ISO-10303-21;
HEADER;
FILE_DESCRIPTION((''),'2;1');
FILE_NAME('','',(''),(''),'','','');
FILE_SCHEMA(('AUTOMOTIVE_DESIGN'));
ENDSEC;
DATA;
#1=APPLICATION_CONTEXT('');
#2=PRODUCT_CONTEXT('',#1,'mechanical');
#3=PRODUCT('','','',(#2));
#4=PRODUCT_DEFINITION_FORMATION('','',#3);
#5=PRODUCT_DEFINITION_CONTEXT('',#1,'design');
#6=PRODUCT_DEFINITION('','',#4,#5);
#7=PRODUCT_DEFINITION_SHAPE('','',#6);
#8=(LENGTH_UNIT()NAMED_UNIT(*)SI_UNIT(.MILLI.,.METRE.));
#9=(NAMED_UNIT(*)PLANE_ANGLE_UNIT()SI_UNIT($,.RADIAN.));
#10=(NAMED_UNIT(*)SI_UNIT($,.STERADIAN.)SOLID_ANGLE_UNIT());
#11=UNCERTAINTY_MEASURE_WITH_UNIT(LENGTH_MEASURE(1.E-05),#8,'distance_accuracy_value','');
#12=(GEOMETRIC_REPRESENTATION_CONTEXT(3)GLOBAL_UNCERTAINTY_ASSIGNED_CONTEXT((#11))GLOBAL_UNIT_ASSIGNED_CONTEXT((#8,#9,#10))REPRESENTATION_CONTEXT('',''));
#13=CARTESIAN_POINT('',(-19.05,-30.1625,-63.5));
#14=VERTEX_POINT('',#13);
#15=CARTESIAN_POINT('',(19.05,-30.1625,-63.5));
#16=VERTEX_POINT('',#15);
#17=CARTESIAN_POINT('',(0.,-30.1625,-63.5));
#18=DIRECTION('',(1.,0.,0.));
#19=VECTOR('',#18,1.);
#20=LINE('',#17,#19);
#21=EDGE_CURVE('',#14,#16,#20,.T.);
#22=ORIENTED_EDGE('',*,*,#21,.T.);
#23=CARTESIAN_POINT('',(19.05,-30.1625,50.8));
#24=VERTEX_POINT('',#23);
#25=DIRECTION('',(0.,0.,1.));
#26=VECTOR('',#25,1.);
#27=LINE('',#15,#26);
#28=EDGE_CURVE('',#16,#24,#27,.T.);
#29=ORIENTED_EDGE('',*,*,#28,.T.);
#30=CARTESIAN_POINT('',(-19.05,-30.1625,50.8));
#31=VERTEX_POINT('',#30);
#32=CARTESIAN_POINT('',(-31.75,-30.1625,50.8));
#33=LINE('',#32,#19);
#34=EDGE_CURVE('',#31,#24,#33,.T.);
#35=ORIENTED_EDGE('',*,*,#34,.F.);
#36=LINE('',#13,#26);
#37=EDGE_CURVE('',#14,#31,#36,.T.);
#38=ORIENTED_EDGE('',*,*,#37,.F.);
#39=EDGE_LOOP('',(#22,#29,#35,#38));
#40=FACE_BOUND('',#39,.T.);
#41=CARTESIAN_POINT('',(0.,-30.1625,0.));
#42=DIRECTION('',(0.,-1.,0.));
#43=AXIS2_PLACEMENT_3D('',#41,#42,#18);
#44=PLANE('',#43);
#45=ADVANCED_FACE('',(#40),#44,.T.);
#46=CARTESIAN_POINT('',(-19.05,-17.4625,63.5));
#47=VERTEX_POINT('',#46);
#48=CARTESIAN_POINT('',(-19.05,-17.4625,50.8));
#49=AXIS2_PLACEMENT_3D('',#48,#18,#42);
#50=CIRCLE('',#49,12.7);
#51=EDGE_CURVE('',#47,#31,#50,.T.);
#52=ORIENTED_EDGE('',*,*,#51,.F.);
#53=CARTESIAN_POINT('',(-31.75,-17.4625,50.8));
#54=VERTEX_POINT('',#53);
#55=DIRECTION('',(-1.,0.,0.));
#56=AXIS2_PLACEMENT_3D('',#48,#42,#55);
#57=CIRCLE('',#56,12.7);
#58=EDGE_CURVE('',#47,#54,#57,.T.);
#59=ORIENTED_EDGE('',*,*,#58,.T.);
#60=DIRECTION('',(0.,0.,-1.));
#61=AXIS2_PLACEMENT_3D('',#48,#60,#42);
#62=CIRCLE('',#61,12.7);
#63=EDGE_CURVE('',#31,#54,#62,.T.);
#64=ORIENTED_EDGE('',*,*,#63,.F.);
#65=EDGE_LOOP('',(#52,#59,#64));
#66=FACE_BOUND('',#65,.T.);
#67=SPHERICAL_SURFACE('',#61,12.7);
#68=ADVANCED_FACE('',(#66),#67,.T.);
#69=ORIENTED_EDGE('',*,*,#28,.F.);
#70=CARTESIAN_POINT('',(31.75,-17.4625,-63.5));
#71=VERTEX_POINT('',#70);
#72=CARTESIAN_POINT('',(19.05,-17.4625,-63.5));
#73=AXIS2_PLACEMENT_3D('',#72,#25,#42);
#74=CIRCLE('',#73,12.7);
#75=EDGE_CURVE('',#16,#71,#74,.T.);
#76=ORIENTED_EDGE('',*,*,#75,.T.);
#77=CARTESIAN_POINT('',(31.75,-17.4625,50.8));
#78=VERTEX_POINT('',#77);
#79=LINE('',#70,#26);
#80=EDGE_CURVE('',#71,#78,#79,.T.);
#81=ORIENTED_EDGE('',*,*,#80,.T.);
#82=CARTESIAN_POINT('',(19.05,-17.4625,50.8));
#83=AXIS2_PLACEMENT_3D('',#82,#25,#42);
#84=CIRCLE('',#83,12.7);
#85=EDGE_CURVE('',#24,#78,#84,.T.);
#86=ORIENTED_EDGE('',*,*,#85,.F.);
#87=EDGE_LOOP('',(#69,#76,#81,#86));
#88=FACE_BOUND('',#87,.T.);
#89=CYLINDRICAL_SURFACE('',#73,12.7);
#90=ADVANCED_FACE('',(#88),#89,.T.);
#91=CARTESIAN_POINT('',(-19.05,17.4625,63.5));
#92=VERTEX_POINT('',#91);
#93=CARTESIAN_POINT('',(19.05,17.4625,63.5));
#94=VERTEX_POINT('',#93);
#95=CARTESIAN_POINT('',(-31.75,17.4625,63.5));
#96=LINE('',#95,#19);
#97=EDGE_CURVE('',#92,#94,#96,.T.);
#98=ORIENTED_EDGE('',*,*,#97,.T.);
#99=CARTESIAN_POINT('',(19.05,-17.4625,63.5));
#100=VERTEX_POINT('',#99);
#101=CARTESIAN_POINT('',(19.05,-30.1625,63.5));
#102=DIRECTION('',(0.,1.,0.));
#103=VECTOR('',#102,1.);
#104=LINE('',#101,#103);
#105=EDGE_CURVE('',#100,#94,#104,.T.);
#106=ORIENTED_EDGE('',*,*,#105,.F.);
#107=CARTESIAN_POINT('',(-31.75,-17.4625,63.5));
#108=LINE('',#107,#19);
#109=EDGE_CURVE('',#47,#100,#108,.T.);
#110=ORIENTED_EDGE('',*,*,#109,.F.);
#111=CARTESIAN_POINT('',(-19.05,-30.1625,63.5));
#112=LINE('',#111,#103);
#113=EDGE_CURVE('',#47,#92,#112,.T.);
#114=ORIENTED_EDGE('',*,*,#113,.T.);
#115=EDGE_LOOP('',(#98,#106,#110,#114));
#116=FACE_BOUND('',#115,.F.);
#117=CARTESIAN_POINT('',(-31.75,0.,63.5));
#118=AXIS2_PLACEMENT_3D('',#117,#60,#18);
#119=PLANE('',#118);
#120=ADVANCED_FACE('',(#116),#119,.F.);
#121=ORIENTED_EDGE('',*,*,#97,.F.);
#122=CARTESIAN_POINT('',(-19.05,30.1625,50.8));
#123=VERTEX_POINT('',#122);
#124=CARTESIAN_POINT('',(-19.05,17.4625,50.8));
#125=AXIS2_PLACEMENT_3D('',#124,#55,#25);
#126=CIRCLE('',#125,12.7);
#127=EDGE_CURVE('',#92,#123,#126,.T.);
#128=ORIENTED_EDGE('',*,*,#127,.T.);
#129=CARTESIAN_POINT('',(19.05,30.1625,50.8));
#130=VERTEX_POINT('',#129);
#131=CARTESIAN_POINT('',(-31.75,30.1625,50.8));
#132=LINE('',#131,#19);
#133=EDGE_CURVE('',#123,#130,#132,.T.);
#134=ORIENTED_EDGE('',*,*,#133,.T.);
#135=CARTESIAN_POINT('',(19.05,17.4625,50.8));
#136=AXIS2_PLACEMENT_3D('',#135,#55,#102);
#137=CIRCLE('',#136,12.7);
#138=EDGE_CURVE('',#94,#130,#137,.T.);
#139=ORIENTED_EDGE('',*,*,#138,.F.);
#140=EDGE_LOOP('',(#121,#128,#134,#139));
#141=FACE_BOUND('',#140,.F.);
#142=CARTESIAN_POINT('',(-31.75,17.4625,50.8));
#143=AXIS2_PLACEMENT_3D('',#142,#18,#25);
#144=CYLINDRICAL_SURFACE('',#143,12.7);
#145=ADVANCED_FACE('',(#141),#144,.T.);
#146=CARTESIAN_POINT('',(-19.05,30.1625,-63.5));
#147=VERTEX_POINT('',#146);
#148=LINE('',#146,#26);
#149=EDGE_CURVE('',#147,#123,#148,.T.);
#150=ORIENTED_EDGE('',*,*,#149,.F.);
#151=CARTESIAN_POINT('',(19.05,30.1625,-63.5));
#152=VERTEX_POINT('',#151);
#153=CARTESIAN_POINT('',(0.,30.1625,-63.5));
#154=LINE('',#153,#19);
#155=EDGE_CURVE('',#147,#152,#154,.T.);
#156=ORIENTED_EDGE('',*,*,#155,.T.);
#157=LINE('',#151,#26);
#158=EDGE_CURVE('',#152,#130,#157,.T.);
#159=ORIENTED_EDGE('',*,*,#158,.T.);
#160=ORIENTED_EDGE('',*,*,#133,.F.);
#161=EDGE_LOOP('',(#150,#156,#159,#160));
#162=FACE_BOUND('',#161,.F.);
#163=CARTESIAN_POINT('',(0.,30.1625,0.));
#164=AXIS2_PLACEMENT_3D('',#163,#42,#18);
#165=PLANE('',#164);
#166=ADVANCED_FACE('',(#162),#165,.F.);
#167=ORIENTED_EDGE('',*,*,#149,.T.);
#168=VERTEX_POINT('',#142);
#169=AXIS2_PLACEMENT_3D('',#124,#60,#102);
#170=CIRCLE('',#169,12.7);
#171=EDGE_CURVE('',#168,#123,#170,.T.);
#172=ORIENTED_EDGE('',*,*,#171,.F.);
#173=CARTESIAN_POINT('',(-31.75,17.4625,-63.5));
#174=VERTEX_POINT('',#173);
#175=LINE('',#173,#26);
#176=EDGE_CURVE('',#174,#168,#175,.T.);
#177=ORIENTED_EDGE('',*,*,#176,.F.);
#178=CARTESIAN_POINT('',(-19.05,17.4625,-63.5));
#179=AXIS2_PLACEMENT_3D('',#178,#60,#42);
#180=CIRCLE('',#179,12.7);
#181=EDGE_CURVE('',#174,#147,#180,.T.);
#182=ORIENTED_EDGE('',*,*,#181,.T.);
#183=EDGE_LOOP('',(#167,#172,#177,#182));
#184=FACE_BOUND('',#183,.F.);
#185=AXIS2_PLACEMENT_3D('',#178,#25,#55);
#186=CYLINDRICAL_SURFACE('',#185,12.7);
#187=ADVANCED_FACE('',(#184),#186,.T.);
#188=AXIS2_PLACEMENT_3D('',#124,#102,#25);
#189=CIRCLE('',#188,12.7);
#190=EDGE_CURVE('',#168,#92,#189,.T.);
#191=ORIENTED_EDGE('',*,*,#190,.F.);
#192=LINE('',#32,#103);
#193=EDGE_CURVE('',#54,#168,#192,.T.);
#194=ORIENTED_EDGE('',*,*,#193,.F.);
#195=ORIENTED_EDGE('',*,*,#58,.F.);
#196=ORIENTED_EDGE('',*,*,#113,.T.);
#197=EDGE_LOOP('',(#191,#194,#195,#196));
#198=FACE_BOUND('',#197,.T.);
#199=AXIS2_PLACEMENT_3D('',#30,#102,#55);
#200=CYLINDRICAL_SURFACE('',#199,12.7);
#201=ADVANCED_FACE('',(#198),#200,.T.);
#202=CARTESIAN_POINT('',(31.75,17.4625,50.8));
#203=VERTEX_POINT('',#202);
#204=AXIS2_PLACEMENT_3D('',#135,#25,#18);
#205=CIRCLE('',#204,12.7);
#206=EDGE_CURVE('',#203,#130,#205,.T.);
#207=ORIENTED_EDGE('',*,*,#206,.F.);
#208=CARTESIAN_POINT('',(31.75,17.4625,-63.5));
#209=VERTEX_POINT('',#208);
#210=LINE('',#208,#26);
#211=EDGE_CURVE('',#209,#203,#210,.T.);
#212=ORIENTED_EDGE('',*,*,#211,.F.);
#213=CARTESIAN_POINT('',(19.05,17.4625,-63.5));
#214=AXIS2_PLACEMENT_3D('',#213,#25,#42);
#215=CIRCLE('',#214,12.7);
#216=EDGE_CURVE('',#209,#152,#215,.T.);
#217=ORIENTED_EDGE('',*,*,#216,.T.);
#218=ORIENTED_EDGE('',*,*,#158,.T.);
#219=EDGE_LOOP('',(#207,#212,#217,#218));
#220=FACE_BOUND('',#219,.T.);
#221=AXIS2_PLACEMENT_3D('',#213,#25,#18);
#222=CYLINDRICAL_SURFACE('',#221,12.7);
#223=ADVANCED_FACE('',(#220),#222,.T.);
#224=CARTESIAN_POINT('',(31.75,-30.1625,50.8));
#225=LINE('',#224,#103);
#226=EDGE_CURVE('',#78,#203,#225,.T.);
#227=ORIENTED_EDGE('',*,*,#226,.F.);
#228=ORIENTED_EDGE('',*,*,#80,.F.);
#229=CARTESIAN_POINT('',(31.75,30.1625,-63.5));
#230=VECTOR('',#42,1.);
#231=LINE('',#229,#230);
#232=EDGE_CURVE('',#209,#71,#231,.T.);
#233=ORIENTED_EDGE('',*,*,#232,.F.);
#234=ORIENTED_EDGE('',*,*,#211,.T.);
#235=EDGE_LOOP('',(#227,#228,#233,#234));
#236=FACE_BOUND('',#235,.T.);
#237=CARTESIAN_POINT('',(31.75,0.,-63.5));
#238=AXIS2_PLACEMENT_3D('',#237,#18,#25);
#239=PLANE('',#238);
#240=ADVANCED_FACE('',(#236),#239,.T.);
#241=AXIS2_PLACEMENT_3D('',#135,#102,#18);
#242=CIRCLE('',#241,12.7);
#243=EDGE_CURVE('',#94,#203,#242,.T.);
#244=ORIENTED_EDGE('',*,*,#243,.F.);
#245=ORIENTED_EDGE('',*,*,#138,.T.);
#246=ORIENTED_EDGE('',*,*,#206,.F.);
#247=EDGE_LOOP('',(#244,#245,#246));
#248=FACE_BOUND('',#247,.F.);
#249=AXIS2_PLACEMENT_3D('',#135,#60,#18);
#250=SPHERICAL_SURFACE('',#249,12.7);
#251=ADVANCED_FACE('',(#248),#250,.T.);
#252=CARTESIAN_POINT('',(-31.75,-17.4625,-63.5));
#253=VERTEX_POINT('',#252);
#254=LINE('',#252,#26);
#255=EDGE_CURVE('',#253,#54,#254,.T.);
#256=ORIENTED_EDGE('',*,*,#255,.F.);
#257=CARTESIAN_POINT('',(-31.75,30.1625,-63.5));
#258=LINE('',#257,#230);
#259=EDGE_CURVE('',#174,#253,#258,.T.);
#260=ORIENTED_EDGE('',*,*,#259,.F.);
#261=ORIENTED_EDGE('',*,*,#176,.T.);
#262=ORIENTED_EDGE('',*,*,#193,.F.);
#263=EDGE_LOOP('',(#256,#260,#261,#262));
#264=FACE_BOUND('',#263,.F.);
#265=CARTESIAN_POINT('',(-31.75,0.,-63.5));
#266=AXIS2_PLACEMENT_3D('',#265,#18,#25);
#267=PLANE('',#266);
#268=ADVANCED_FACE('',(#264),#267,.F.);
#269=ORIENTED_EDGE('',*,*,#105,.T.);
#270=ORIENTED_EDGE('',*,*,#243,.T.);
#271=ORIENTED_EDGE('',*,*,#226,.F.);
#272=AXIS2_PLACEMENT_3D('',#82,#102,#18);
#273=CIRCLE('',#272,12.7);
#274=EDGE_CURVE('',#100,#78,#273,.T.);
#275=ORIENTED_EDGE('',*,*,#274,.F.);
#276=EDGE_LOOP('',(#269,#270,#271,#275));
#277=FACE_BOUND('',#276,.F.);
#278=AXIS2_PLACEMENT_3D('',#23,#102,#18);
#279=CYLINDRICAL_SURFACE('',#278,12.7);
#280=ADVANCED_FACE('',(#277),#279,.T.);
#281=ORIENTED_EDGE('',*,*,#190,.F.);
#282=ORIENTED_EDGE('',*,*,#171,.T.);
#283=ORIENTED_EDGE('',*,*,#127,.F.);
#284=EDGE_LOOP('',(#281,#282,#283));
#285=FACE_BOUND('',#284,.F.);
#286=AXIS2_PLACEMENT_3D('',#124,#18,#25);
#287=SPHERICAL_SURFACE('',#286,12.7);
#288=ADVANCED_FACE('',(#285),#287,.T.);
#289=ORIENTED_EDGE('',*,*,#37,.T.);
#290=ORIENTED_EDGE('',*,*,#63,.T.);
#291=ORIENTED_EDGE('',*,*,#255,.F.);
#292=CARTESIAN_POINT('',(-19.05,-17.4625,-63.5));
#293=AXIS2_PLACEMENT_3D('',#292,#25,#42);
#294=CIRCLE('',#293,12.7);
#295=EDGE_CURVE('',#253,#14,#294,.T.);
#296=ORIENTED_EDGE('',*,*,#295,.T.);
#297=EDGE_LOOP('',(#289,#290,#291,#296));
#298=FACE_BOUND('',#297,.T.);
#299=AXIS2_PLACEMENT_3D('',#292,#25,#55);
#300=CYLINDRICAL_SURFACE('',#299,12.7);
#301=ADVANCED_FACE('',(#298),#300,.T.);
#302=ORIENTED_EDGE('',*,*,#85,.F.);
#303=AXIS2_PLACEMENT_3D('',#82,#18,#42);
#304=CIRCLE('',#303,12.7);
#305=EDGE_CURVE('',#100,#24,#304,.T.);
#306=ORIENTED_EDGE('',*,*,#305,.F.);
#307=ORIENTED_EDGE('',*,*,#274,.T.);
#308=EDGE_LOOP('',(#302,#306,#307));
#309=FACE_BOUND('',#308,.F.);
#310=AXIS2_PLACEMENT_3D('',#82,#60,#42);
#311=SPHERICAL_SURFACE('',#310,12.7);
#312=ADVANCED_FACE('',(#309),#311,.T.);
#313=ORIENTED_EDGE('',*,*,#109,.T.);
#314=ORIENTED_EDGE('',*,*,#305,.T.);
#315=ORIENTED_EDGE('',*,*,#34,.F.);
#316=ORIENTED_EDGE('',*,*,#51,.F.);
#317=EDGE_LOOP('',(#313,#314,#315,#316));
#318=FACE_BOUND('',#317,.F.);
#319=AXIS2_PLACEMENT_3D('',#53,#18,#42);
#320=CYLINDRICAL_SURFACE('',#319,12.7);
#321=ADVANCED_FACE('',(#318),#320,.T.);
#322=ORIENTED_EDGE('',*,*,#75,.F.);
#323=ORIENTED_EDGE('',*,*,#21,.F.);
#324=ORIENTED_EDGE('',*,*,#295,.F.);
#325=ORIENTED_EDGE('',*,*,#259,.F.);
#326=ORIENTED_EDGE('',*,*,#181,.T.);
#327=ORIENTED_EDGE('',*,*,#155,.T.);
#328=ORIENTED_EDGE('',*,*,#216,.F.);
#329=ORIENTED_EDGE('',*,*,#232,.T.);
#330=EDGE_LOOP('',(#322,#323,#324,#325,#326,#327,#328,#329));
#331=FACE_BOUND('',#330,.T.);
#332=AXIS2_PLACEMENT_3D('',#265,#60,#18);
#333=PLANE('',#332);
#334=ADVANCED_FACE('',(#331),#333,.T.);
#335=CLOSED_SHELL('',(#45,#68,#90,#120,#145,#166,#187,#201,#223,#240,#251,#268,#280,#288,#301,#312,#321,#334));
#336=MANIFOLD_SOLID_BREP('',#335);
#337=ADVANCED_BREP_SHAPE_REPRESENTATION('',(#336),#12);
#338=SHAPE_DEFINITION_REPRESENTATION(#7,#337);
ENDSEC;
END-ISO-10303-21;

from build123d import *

# Parameters (mm, degrees)
F0_W     = 63.5
F0_H     = 127
F1_DEPTH = 30.1625
F2_R     = 12.7


with BuildPart() as f1:
    # F0 (on Front) → F1 (new body, symmetric)
    with BuildSketch(Plane.XZ):
        Rectangle(F0_W, F0_H)
    extrude(amount=F1_DEPTH, both=True)

    # F2
    f2_edges = [f1.edges().sort_by_distance(p)[0] for p in [
        (31.75, -30.1625, 0),
        (31.75, 30.1625, 0),
        (-31.75, -30.1625, 0),
        (0, -30.1625, 63.5),
        (31.75, 0, 63.5),
        (0, 30.1625, 63.5),
        (-31.75, 0, 63.5),
        (-31.75, 30.1625, 0),
    ]]
    fillet(f2_edges, radius=F2_R)


solid = f1.part
